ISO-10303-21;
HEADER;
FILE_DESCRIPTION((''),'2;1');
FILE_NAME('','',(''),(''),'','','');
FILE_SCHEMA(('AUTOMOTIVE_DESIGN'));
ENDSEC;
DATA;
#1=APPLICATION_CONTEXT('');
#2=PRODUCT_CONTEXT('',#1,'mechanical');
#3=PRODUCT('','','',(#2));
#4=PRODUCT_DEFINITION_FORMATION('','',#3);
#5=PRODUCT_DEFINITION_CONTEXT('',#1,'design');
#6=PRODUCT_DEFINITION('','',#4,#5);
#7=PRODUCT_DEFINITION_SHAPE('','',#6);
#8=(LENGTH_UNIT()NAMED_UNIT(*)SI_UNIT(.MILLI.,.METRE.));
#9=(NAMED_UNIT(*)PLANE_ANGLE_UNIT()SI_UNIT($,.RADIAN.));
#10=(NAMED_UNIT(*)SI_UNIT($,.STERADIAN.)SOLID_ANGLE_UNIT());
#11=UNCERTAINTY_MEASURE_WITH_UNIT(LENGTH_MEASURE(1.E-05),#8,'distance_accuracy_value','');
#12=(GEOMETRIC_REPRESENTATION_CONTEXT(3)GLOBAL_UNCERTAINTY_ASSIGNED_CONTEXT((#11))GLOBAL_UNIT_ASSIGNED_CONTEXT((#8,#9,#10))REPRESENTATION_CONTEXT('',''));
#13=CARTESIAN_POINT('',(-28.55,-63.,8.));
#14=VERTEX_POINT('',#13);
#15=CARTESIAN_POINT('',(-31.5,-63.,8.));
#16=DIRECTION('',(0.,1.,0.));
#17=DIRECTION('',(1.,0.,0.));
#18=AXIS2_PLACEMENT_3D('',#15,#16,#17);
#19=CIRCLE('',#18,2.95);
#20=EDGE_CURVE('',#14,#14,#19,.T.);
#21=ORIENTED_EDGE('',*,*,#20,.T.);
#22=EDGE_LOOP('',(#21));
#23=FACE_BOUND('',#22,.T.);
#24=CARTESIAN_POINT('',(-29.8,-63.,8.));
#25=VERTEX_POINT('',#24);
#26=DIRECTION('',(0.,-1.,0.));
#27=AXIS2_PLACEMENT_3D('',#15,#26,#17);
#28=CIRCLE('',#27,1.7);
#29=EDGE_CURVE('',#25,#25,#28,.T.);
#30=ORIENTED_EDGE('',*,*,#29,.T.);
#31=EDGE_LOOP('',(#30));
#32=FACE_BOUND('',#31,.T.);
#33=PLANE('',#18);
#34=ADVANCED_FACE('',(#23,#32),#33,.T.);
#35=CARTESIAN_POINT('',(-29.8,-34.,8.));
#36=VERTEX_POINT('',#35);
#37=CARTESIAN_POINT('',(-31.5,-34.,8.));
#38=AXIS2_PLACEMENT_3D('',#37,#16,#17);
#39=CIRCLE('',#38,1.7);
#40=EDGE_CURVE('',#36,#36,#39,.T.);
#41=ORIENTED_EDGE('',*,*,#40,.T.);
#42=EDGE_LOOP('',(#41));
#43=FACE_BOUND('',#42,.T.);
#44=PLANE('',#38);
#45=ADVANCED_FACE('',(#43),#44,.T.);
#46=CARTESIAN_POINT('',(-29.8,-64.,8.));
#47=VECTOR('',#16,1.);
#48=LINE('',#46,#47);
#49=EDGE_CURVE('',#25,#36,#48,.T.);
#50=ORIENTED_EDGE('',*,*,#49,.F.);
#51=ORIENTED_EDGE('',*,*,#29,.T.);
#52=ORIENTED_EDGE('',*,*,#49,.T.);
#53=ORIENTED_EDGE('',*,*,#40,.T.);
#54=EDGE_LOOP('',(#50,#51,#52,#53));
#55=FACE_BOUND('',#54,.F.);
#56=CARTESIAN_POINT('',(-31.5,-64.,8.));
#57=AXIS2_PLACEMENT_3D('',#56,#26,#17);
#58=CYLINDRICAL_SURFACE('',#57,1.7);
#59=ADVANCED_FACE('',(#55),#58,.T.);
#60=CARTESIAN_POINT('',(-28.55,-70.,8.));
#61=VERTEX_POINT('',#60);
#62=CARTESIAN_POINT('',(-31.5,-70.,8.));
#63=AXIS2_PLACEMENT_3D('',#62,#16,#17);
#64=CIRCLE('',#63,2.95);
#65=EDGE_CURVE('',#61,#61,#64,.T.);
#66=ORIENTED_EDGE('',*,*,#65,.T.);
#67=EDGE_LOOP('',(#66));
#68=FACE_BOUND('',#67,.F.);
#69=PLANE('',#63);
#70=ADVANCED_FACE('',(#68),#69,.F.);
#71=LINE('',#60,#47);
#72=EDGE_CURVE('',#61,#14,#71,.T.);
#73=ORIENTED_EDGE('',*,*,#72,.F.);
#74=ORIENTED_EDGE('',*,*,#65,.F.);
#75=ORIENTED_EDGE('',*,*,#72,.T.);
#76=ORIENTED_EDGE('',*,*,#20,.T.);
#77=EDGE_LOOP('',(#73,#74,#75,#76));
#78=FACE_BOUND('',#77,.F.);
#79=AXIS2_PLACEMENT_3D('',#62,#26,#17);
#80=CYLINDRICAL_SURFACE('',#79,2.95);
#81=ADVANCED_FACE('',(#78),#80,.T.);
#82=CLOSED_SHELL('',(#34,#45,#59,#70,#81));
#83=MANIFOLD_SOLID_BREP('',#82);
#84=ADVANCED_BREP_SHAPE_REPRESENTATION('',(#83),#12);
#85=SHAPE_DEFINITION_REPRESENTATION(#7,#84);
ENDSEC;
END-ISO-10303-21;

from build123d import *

# Parameters (mm, degrees)
CYLINDER_R          = 2.95
CYLINDER_DEPTH      = 7
CYLINDER001_R       = 1.7
CYLINDER001_DEPTH   = 30
CLONE054_ROLL_ANGLE = -90


with BuildPart() as m3bolthead:
    # Cylinder → Cylinder (new body)
    with BuildSketch(Plane.XY):
        Circle(CYLINDER_R)
    extrude(amount=CYLINDER_DEPTH)


with BuildPart() as clone_of_m3bolt017:
    # Cylinder001 → Cylinder001 (new body)
    with BuildSketch(Plane.XY.offset(6)):
        Circle(CYLINDER001_R)
    extrude(amount=CYLINDER001_DEPTH)

    # Fusion: union M3BoltHead
    add(m3bolthead.part)


with BuildPart() as clone_of_m3bolt017_1:
    # Clone054 roll: moved
    add(clone_of_m3bolt017.part.rotate(Axis((0, 0, 0), (1, 0, 0)), CLONE054_ROLL_ANGLE))


with BuildPart() as clone_of_m3bolt017_2:
    # Clone054 placement: moved
    add(clone_of_m3bolt017_1.part.moved(Location((-31.5, -70, 8))))


solid = clone_of_m3bolt017_2.part
